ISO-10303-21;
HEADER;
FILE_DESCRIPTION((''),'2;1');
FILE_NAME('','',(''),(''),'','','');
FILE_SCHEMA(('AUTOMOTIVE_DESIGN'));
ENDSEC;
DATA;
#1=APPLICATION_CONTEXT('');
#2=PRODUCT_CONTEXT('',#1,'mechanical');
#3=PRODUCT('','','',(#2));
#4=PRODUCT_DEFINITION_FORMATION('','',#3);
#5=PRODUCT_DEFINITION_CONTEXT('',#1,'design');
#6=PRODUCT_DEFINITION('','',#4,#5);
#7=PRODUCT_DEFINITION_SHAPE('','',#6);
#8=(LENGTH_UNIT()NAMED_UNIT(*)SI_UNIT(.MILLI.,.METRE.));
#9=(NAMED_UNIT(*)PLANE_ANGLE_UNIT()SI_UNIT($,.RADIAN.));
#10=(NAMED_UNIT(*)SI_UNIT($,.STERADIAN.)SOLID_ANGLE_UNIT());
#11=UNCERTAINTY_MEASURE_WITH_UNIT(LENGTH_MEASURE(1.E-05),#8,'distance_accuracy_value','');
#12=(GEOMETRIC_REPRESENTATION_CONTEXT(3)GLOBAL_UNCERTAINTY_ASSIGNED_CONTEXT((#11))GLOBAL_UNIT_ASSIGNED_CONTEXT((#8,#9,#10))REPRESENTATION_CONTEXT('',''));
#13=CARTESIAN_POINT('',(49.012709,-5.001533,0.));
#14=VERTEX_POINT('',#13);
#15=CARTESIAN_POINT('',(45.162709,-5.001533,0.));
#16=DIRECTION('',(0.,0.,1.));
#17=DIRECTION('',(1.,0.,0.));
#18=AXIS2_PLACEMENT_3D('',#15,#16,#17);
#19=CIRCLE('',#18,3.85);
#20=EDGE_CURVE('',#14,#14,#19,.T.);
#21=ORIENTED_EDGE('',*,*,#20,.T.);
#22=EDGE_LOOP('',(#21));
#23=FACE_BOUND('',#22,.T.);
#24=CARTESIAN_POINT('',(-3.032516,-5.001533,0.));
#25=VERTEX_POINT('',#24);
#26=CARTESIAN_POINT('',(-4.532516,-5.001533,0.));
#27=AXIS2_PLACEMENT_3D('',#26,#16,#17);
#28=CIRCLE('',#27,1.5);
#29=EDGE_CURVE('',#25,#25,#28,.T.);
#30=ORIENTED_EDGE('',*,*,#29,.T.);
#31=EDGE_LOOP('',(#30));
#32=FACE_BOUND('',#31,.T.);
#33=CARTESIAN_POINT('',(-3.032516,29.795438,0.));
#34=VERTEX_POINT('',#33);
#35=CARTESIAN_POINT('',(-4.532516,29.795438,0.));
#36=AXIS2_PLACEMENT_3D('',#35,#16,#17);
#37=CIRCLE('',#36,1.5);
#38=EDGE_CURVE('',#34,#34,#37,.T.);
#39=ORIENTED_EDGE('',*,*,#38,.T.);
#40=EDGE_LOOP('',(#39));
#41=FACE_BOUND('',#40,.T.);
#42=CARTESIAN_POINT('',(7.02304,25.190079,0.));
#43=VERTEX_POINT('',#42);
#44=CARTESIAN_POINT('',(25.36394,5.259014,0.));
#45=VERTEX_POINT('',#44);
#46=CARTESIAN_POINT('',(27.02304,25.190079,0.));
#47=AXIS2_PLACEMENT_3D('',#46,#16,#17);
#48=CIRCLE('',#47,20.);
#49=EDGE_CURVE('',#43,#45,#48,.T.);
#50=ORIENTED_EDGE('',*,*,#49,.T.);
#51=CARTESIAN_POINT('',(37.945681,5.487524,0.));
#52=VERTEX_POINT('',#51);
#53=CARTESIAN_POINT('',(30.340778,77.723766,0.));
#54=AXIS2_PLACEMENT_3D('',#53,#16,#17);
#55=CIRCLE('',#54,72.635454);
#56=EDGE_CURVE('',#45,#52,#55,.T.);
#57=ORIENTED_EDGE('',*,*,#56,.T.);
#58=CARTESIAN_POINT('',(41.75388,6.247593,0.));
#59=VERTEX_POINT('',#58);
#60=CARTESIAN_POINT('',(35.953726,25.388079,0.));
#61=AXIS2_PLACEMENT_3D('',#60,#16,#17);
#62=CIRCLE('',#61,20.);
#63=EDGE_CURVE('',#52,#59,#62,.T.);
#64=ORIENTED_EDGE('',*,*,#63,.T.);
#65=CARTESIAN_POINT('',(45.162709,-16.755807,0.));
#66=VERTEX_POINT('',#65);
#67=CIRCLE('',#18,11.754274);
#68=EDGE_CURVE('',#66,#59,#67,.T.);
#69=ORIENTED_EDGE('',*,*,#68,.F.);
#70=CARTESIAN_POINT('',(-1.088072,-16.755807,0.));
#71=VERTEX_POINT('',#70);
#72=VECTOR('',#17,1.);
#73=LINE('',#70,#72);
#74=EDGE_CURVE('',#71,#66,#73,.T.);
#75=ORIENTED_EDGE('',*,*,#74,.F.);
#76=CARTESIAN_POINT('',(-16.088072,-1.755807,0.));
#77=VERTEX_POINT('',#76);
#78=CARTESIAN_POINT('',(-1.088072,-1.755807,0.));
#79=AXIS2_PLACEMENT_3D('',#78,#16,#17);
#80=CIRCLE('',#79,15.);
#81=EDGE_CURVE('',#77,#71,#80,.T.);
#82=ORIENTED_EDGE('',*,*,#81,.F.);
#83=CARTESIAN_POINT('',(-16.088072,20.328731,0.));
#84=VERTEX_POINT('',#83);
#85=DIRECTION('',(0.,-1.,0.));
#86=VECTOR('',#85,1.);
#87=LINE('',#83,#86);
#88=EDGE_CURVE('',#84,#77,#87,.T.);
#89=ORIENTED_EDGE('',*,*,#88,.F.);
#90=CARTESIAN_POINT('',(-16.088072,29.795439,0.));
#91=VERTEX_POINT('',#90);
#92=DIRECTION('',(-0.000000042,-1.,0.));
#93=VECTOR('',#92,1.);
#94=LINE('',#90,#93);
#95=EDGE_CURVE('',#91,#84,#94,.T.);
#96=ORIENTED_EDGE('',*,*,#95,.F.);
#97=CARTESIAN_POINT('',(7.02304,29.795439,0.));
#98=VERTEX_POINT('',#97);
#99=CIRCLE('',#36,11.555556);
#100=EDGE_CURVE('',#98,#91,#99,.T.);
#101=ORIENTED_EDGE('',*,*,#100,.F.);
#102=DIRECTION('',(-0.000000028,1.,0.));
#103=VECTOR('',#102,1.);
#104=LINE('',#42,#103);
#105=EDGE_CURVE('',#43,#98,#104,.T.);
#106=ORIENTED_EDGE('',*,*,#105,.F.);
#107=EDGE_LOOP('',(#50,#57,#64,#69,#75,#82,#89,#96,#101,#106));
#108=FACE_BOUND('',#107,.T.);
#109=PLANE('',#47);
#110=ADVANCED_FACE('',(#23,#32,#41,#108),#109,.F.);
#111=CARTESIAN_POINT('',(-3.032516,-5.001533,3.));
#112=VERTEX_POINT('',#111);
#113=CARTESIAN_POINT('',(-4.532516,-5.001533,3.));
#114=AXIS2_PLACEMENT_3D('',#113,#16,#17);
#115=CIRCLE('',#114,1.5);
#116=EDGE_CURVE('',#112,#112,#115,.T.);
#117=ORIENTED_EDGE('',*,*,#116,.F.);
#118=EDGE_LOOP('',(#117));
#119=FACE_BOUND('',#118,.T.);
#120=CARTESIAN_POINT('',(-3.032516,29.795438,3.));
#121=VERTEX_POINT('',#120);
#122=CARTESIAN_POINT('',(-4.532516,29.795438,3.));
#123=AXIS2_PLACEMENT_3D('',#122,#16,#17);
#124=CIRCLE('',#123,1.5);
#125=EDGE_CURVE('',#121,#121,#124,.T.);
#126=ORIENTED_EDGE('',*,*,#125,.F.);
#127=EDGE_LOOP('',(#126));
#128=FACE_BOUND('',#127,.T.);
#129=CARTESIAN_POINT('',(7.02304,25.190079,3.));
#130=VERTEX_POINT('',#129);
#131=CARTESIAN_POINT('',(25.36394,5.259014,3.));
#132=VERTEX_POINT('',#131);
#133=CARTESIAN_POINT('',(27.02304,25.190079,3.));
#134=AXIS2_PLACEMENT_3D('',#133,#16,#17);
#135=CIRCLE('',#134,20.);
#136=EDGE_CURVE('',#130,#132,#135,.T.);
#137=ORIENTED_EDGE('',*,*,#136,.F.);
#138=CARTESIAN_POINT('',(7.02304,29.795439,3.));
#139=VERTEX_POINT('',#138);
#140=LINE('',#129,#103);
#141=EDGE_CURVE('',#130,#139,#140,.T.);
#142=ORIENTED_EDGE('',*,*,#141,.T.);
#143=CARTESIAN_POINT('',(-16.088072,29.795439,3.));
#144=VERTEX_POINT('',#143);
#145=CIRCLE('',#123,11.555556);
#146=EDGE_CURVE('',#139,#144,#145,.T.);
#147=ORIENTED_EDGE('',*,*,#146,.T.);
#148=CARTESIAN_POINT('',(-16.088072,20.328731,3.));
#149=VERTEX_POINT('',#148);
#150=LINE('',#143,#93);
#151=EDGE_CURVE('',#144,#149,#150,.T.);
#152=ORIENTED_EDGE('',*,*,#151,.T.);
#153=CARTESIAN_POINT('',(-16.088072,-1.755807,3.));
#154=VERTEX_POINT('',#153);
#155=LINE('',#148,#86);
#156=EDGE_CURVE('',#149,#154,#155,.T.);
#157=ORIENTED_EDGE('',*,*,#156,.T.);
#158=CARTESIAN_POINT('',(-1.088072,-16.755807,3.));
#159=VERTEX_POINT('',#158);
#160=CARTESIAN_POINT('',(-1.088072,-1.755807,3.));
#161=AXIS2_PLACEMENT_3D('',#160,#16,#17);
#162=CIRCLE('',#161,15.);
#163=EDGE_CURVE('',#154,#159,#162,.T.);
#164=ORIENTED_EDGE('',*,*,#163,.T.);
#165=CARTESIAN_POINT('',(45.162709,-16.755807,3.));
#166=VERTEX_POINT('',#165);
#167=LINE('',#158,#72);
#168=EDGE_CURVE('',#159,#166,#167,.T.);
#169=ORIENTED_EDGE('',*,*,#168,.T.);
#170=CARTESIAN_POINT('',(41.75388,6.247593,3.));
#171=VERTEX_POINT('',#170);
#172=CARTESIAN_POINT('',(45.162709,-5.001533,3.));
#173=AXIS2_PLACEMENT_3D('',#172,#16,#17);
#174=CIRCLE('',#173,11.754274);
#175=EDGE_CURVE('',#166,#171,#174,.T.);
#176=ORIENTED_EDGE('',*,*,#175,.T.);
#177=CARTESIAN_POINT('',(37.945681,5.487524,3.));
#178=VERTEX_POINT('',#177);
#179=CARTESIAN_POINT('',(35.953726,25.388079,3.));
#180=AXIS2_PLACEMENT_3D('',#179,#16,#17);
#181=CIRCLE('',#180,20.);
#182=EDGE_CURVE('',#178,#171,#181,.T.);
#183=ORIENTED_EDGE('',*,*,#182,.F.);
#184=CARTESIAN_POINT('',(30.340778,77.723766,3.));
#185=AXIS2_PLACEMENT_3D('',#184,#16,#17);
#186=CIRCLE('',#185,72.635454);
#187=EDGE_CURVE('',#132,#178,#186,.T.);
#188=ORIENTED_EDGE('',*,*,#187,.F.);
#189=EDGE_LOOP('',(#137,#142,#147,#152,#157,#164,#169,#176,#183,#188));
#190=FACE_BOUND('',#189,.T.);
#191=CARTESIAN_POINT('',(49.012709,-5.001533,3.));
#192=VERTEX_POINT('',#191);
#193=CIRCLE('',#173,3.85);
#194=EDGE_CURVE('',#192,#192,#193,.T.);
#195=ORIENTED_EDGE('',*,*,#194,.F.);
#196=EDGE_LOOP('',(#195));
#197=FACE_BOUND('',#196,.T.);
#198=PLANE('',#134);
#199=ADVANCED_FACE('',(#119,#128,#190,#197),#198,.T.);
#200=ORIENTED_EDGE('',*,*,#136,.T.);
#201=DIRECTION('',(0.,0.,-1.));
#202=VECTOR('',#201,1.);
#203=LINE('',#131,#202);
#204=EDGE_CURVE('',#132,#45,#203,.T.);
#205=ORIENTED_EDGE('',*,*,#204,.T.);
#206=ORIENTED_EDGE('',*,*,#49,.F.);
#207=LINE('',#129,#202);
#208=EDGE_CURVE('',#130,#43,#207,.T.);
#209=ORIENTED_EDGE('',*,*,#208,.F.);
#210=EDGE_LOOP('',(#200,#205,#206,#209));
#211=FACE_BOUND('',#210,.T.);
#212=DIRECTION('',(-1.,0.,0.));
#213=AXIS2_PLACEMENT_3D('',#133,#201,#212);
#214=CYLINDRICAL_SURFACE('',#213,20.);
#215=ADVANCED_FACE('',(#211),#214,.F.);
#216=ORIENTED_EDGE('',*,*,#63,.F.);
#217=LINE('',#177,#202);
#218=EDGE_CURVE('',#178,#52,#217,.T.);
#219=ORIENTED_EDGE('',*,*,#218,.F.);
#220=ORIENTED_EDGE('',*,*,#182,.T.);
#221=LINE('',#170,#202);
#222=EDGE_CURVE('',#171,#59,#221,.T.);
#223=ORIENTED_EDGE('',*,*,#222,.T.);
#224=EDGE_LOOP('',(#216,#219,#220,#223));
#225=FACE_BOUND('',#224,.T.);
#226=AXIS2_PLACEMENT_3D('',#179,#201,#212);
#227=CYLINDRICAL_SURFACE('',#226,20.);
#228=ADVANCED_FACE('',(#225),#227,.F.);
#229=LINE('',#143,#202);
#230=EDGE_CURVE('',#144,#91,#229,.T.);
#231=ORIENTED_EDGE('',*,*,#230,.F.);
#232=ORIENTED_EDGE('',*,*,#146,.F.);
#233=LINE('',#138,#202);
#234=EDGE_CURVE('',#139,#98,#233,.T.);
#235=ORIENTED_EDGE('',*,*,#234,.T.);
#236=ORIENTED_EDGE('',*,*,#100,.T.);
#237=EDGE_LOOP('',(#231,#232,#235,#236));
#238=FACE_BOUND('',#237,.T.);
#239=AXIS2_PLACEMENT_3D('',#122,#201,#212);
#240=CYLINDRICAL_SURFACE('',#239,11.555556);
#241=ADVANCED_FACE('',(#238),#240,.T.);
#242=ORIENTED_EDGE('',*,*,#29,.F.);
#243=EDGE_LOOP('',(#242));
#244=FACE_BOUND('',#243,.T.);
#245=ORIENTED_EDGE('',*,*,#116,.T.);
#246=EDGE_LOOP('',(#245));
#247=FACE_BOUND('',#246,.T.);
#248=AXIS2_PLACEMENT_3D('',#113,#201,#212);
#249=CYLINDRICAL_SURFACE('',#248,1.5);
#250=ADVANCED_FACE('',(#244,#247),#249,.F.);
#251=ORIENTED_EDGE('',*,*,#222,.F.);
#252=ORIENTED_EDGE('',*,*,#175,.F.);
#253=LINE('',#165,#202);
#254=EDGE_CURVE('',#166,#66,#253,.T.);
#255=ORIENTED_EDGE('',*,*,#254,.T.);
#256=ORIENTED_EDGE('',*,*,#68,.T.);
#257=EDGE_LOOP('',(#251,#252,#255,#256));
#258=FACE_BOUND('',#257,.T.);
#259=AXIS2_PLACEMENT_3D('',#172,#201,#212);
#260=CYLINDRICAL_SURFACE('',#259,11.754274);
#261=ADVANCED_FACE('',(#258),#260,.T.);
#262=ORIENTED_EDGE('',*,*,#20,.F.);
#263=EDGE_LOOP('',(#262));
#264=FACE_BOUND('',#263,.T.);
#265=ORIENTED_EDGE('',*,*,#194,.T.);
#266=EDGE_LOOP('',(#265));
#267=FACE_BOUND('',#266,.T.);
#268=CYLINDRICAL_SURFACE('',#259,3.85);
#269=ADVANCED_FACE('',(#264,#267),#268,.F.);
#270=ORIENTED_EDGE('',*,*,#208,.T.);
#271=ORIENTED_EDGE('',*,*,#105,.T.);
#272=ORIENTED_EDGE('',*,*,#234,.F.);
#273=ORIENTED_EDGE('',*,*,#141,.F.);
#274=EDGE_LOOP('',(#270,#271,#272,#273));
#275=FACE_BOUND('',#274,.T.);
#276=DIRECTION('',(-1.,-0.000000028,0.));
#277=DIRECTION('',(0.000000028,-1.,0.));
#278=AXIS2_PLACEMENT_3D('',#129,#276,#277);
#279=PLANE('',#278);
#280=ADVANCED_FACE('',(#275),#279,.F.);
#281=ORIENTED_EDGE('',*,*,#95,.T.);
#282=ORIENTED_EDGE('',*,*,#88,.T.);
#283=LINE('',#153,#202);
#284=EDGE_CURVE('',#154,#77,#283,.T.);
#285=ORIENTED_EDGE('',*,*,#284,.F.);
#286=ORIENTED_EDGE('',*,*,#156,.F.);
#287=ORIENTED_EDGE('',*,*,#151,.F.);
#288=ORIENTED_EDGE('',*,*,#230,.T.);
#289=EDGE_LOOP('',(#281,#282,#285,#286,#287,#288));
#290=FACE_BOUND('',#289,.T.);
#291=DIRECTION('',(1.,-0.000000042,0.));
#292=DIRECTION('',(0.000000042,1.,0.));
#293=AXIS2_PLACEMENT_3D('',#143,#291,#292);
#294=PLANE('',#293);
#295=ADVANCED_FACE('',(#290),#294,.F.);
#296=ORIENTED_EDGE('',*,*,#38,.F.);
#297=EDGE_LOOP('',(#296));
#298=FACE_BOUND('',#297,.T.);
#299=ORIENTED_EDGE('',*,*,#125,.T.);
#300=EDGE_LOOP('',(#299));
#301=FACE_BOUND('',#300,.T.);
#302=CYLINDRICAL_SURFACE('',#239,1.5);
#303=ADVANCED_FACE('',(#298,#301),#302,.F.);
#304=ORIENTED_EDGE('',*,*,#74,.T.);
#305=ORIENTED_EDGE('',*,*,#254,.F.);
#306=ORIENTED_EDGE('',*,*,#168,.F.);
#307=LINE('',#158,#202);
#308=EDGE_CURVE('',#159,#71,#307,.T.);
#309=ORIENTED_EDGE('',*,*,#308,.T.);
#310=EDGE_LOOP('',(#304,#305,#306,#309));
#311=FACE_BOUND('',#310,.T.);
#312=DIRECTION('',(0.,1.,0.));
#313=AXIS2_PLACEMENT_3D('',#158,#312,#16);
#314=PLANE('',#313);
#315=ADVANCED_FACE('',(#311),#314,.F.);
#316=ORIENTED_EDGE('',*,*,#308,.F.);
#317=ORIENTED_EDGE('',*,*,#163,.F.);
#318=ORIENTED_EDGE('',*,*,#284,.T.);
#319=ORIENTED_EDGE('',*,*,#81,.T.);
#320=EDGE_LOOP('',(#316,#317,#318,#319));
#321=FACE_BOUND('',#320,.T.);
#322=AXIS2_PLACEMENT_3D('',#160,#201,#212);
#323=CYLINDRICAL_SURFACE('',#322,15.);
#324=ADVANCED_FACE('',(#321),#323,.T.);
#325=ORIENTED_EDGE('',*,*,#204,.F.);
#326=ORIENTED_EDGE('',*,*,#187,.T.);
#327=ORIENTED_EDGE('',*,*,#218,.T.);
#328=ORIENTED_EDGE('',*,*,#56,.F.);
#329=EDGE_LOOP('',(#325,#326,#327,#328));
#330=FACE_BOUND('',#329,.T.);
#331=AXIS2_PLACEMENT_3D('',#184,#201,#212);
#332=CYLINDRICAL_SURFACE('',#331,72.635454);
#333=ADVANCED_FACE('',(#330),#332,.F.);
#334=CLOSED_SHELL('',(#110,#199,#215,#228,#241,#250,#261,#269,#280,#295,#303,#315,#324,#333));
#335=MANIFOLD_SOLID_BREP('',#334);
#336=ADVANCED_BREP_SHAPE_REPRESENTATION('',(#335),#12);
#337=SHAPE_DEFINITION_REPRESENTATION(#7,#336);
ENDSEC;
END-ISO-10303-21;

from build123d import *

# Parameters (mm, degrees)
SKETCH_1_R      = 1.5
SKETCH_1_R_2    = 3.85
EXTRUDE_1_DEPTH = 3


with BuildPart() as part:
    # 草圖1 → 填料-伸長1 (new body)
    with BuildSketch(Plane.XY):
        with BuildLine():
            Line((-1.088072116, -16.755807147), (45.162709199, -16.755807147))
            ThreePointArc((45.162709199, -16.755807147), (56.790010388, -3.27850574), (41.753879517, 6.247592861))
            ThreePointArc((41.753879517, 6.247592861), (39.868271169, 5.774911831), (37.945680681, 5.487523562))
            ThreePointArc((37.945680681, 5.487523562), (31.659768337, 5.100288193), (25.363940234, 5.25901355))
            ThreePointArc((25.363940234, 5.25901355), (12.306009375, 11.647221283), (7.023040081, 25.190078877))
            Line((7.023040081, 25.190078877), (7.023039951, 29.795438865))
            ThreePointArc((7.023039951, 29.795438865), (-4.532515913, 41.350994164), (-16.088071721, 29.795438809))
            Line((-16.088071721, 29.795438809), (-16.088072116, 20.328730687))
            Line((-16.088072116, 20.328730687), (-16.088072116, -1.755807147))
            ThreePointArc((-16.088072116, -1.755807147), (-11.694673834, -12.362408864), (-1.088072116, -16.755807147))
        make_face()
        with Locations((-4.532515885, 29.795438328)):
            Circle(SKETCH_1_R, mode=Mode.SUBTRACT)
        with Locations((45.162709199, -5.00153318)):
            Circle(SKETCH_1_R_2, mode=Mode.SUBTRACT)
        with Locations((-4.532515885, -5.00153318)):
            Circle(SKETCH_1_R, mode=Mode.SUBTRACT)
    extrude(amount=EXTRUDE_1_DEPTH)


solid = part.part
